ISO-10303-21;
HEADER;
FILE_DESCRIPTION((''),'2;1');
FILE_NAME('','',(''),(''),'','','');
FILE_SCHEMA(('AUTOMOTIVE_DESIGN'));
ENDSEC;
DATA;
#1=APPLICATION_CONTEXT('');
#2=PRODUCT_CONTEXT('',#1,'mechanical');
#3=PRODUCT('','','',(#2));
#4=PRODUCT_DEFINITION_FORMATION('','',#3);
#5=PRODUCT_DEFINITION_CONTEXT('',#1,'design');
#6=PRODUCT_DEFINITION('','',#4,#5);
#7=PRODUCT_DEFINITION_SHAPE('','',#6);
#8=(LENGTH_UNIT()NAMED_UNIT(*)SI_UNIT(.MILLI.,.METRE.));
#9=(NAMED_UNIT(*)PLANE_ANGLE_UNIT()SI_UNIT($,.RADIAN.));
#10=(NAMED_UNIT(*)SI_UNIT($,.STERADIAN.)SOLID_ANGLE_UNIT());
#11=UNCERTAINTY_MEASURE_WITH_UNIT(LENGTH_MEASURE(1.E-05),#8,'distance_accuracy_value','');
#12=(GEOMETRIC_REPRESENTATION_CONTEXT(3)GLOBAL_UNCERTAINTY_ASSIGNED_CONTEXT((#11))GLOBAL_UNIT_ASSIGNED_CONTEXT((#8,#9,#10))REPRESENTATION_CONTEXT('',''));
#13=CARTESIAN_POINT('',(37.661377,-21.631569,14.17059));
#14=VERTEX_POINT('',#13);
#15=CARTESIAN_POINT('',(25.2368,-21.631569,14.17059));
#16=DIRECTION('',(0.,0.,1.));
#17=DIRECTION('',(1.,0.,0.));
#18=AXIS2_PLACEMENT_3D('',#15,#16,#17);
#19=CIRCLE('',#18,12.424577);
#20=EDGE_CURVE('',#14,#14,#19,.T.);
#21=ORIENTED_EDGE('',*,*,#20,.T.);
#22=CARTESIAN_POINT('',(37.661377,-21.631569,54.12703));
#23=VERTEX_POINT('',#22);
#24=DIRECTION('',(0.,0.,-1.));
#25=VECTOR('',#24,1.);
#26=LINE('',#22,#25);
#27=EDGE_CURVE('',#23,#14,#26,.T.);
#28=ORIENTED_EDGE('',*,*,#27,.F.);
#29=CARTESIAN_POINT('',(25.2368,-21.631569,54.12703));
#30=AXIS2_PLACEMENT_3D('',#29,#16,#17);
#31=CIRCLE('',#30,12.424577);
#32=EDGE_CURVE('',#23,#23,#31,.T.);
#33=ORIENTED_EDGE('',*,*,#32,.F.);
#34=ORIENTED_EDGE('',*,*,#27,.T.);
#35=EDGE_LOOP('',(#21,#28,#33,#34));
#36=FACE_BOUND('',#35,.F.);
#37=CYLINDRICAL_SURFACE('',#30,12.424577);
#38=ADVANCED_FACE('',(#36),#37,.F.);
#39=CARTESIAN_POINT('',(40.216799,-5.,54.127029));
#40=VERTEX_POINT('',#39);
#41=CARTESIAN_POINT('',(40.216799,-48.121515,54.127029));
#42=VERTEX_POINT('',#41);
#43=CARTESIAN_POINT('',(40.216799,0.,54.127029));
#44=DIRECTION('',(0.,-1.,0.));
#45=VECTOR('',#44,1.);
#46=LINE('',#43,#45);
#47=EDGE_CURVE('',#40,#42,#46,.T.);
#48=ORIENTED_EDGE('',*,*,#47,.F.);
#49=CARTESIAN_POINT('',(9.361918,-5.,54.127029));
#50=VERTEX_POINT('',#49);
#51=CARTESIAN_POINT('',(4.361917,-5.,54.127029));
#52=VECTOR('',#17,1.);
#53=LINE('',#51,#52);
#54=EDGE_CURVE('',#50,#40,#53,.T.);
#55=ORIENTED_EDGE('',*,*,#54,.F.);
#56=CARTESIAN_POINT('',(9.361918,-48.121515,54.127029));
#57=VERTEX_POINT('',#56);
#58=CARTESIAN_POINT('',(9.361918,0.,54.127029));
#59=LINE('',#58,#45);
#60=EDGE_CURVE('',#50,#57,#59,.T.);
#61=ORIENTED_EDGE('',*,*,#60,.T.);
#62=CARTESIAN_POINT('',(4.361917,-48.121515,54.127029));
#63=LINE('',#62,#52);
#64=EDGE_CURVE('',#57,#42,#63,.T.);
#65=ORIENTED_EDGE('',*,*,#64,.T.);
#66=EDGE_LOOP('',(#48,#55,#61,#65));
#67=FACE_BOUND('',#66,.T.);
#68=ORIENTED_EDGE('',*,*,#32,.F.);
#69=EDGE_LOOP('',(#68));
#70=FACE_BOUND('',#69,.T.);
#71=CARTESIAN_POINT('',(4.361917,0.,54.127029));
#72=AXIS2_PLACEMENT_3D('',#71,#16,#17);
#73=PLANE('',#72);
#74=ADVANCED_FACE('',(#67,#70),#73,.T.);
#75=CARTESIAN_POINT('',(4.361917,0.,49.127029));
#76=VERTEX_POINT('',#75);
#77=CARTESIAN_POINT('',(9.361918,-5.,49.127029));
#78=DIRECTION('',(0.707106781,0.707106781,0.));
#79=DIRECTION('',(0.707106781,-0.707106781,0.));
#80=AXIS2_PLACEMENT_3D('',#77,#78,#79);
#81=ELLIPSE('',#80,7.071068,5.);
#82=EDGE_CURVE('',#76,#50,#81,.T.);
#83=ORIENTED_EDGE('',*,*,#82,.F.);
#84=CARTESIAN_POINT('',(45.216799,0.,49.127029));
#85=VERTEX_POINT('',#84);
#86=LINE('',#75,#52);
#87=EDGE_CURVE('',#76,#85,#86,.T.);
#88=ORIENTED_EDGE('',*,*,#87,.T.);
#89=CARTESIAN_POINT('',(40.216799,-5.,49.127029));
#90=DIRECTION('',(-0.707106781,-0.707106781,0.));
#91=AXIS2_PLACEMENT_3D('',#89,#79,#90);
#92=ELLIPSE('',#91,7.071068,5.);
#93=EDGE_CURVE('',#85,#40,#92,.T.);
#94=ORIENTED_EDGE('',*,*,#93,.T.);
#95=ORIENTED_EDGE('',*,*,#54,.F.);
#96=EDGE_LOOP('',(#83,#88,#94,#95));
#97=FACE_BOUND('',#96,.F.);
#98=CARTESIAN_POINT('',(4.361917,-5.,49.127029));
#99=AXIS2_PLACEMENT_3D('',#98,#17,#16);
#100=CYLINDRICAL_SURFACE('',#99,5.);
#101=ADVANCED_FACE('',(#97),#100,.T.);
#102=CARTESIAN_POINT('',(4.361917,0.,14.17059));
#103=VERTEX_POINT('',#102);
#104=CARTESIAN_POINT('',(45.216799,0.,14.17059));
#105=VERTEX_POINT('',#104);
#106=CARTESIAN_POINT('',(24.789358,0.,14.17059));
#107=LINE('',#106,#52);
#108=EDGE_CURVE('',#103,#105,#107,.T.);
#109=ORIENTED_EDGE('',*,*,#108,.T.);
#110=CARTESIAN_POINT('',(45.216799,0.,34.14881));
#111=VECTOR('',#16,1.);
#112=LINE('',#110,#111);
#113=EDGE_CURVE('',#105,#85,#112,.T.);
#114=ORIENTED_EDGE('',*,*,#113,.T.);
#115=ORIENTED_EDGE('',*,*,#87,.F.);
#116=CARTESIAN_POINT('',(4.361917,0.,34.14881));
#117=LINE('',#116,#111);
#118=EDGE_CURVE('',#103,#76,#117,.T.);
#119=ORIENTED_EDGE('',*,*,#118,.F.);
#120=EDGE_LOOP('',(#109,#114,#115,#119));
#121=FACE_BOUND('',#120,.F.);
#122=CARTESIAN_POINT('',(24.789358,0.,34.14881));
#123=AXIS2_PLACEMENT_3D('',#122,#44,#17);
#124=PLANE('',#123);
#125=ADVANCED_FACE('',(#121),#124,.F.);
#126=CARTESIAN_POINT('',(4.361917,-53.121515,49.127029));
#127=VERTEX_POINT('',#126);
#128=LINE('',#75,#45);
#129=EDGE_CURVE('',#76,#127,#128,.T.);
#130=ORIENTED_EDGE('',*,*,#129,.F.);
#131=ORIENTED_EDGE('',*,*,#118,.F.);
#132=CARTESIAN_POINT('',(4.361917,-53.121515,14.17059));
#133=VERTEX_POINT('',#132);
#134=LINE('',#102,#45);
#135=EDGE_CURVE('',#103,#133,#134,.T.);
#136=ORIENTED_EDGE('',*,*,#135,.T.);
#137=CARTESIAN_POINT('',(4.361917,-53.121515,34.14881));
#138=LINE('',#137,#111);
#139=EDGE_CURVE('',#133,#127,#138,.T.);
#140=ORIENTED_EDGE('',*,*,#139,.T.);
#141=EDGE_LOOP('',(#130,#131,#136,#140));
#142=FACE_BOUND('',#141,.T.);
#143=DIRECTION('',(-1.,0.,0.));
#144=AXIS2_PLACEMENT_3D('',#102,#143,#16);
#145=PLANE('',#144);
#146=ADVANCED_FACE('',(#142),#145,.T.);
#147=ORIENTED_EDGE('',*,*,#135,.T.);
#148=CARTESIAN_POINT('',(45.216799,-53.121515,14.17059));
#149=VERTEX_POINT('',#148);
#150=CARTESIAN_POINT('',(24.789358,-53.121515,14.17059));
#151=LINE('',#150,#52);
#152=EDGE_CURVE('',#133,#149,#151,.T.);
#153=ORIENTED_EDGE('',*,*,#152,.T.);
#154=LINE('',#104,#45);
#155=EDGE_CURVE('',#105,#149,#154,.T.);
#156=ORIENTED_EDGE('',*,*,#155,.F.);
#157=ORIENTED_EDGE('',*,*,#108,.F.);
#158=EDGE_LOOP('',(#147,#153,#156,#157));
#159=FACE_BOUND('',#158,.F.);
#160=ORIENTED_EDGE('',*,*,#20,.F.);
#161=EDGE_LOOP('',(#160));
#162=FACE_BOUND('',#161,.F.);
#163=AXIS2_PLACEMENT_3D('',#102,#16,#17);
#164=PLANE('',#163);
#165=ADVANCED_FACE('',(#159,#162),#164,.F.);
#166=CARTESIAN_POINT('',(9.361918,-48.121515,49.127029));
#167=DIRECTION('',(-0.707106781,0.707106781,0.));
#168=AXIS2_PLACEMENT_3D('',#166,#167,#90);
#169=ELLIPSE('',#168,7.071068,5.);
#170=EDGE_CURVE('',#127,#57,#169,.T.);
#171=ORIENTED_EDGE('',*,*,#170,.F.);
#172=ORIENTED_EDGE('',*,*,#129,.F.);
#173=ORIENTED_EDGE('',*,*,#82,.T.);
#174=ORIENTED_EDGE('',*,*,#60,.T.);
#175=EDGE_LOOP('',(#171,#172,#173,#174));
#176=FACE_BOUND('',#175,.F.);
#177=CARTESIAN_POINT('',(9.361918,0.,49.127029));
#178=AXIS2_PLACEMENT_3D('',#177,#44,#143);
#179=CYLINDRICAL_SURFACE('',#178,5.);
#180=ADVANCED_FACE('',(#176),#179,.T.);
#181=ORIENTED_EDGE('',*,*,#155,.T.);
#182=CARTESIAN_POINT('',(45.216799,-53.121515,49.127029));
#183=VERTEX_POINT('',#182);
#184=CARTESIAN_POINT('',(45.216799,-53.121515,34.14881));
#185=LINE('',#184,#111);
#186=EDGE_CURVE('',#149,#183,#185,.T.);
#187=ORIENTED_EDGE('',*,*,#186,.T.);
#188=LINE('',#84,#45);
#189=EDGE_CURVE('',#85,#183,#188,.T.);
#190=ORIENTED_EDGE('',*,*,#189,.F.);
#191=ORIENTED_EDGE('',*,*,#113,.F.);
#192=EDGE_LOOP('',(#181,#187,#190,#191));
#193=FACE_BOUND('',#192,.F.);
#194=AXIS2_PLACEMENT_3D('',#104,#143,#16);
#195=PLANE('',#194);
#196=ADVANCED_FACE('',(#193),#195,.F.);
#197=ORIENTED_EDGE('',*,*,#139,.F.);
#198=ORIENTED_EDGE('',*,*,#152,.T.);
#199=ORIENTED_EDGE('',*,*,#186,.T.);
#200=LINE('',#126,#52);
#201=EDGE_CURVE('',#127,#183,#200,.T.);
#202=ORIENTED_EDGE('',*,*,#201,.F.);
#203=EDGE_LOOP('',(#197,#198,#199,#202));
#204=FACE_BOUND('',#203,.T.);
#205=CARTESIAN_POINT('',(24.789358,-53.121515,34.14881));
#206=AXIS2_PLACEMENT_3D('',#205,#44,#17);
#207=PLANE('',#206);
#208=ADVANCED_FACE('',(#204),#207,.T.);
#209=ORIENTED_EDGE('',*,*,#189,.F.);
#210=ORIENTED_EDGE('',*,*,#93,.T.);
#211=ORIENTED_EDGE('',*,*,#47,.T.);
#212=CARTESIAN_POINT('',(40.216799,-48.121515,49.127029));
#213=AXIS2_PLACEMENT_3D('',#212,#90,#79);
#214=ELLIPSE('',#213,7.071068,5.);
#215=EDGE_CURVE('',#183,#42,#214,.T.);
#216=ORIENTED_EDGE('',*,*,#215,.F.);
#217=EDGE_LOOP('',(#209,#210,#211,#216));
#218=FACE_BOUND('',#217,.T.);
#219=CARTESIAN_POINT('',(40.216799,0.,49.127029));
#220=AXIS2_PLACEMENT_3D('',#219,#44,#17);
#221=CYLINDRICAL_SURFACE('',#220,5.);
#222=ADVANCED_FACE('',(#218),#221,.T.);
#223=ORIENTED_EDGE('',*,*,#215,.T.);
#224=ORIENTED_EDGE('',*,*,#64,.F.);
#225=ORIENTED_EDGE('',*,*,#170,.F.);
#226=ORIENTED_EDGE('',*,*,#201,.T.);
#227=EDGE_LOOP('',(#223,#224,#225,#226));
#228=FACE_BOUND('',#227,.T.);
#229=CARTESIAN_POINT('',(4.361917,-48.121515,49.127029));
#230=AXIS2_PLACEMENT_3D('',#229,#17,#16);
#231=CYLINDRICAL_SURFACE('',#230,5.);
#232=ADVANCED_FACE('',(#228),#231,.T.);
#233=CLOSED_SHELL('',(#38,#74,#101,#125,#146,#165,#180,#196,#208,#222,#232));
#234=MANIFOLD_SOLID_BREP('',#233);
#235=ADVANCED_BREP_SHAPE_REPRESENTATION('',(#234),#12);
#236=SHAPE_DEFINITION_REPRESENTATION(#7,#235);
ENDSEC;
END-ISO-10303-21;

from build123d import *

# Parameters (mm, degrees)
F0_W     = 40.854881
F0_H     = 39.956439
F1_DEPTH = 53.121515
F2_R     = 5
F3_R     = 12.424577
F4_DEPTH = 39.957439


with BuildPart() as f1:
    # F0 (on Front) → F1 (new body)
    with BuildSketch(Plane.XZ):
        with Locations((24.789358, 34.14881)):
            Rectangle(F0_W, F0_H)
    extrude(amount=F1_DEPTH)

    # F2
    f2_edges = [f1.edges().sort_by_distance(p)[0] for p in [
        (45.216799, -26.560757, 54.12703),
        (4.361918, -26.560757, 54.12703),
        (24.789358, 0, 54.12703),
        (24.789358, -53.121515, 54.12703),
    ]]
    fillet(f2_edges, radius=F2_R)

    # F3 (on face) → F4 (cut, through all)
    with BuildSketch(Plane.XY.offset(54.12703)):
        with Locations((25.2368, -21.631569)):
            Circle(F3_R)
    extrude(amount=-F4_DEPTH, mode=Mode.SUBTRACT)


solid = f1.part
